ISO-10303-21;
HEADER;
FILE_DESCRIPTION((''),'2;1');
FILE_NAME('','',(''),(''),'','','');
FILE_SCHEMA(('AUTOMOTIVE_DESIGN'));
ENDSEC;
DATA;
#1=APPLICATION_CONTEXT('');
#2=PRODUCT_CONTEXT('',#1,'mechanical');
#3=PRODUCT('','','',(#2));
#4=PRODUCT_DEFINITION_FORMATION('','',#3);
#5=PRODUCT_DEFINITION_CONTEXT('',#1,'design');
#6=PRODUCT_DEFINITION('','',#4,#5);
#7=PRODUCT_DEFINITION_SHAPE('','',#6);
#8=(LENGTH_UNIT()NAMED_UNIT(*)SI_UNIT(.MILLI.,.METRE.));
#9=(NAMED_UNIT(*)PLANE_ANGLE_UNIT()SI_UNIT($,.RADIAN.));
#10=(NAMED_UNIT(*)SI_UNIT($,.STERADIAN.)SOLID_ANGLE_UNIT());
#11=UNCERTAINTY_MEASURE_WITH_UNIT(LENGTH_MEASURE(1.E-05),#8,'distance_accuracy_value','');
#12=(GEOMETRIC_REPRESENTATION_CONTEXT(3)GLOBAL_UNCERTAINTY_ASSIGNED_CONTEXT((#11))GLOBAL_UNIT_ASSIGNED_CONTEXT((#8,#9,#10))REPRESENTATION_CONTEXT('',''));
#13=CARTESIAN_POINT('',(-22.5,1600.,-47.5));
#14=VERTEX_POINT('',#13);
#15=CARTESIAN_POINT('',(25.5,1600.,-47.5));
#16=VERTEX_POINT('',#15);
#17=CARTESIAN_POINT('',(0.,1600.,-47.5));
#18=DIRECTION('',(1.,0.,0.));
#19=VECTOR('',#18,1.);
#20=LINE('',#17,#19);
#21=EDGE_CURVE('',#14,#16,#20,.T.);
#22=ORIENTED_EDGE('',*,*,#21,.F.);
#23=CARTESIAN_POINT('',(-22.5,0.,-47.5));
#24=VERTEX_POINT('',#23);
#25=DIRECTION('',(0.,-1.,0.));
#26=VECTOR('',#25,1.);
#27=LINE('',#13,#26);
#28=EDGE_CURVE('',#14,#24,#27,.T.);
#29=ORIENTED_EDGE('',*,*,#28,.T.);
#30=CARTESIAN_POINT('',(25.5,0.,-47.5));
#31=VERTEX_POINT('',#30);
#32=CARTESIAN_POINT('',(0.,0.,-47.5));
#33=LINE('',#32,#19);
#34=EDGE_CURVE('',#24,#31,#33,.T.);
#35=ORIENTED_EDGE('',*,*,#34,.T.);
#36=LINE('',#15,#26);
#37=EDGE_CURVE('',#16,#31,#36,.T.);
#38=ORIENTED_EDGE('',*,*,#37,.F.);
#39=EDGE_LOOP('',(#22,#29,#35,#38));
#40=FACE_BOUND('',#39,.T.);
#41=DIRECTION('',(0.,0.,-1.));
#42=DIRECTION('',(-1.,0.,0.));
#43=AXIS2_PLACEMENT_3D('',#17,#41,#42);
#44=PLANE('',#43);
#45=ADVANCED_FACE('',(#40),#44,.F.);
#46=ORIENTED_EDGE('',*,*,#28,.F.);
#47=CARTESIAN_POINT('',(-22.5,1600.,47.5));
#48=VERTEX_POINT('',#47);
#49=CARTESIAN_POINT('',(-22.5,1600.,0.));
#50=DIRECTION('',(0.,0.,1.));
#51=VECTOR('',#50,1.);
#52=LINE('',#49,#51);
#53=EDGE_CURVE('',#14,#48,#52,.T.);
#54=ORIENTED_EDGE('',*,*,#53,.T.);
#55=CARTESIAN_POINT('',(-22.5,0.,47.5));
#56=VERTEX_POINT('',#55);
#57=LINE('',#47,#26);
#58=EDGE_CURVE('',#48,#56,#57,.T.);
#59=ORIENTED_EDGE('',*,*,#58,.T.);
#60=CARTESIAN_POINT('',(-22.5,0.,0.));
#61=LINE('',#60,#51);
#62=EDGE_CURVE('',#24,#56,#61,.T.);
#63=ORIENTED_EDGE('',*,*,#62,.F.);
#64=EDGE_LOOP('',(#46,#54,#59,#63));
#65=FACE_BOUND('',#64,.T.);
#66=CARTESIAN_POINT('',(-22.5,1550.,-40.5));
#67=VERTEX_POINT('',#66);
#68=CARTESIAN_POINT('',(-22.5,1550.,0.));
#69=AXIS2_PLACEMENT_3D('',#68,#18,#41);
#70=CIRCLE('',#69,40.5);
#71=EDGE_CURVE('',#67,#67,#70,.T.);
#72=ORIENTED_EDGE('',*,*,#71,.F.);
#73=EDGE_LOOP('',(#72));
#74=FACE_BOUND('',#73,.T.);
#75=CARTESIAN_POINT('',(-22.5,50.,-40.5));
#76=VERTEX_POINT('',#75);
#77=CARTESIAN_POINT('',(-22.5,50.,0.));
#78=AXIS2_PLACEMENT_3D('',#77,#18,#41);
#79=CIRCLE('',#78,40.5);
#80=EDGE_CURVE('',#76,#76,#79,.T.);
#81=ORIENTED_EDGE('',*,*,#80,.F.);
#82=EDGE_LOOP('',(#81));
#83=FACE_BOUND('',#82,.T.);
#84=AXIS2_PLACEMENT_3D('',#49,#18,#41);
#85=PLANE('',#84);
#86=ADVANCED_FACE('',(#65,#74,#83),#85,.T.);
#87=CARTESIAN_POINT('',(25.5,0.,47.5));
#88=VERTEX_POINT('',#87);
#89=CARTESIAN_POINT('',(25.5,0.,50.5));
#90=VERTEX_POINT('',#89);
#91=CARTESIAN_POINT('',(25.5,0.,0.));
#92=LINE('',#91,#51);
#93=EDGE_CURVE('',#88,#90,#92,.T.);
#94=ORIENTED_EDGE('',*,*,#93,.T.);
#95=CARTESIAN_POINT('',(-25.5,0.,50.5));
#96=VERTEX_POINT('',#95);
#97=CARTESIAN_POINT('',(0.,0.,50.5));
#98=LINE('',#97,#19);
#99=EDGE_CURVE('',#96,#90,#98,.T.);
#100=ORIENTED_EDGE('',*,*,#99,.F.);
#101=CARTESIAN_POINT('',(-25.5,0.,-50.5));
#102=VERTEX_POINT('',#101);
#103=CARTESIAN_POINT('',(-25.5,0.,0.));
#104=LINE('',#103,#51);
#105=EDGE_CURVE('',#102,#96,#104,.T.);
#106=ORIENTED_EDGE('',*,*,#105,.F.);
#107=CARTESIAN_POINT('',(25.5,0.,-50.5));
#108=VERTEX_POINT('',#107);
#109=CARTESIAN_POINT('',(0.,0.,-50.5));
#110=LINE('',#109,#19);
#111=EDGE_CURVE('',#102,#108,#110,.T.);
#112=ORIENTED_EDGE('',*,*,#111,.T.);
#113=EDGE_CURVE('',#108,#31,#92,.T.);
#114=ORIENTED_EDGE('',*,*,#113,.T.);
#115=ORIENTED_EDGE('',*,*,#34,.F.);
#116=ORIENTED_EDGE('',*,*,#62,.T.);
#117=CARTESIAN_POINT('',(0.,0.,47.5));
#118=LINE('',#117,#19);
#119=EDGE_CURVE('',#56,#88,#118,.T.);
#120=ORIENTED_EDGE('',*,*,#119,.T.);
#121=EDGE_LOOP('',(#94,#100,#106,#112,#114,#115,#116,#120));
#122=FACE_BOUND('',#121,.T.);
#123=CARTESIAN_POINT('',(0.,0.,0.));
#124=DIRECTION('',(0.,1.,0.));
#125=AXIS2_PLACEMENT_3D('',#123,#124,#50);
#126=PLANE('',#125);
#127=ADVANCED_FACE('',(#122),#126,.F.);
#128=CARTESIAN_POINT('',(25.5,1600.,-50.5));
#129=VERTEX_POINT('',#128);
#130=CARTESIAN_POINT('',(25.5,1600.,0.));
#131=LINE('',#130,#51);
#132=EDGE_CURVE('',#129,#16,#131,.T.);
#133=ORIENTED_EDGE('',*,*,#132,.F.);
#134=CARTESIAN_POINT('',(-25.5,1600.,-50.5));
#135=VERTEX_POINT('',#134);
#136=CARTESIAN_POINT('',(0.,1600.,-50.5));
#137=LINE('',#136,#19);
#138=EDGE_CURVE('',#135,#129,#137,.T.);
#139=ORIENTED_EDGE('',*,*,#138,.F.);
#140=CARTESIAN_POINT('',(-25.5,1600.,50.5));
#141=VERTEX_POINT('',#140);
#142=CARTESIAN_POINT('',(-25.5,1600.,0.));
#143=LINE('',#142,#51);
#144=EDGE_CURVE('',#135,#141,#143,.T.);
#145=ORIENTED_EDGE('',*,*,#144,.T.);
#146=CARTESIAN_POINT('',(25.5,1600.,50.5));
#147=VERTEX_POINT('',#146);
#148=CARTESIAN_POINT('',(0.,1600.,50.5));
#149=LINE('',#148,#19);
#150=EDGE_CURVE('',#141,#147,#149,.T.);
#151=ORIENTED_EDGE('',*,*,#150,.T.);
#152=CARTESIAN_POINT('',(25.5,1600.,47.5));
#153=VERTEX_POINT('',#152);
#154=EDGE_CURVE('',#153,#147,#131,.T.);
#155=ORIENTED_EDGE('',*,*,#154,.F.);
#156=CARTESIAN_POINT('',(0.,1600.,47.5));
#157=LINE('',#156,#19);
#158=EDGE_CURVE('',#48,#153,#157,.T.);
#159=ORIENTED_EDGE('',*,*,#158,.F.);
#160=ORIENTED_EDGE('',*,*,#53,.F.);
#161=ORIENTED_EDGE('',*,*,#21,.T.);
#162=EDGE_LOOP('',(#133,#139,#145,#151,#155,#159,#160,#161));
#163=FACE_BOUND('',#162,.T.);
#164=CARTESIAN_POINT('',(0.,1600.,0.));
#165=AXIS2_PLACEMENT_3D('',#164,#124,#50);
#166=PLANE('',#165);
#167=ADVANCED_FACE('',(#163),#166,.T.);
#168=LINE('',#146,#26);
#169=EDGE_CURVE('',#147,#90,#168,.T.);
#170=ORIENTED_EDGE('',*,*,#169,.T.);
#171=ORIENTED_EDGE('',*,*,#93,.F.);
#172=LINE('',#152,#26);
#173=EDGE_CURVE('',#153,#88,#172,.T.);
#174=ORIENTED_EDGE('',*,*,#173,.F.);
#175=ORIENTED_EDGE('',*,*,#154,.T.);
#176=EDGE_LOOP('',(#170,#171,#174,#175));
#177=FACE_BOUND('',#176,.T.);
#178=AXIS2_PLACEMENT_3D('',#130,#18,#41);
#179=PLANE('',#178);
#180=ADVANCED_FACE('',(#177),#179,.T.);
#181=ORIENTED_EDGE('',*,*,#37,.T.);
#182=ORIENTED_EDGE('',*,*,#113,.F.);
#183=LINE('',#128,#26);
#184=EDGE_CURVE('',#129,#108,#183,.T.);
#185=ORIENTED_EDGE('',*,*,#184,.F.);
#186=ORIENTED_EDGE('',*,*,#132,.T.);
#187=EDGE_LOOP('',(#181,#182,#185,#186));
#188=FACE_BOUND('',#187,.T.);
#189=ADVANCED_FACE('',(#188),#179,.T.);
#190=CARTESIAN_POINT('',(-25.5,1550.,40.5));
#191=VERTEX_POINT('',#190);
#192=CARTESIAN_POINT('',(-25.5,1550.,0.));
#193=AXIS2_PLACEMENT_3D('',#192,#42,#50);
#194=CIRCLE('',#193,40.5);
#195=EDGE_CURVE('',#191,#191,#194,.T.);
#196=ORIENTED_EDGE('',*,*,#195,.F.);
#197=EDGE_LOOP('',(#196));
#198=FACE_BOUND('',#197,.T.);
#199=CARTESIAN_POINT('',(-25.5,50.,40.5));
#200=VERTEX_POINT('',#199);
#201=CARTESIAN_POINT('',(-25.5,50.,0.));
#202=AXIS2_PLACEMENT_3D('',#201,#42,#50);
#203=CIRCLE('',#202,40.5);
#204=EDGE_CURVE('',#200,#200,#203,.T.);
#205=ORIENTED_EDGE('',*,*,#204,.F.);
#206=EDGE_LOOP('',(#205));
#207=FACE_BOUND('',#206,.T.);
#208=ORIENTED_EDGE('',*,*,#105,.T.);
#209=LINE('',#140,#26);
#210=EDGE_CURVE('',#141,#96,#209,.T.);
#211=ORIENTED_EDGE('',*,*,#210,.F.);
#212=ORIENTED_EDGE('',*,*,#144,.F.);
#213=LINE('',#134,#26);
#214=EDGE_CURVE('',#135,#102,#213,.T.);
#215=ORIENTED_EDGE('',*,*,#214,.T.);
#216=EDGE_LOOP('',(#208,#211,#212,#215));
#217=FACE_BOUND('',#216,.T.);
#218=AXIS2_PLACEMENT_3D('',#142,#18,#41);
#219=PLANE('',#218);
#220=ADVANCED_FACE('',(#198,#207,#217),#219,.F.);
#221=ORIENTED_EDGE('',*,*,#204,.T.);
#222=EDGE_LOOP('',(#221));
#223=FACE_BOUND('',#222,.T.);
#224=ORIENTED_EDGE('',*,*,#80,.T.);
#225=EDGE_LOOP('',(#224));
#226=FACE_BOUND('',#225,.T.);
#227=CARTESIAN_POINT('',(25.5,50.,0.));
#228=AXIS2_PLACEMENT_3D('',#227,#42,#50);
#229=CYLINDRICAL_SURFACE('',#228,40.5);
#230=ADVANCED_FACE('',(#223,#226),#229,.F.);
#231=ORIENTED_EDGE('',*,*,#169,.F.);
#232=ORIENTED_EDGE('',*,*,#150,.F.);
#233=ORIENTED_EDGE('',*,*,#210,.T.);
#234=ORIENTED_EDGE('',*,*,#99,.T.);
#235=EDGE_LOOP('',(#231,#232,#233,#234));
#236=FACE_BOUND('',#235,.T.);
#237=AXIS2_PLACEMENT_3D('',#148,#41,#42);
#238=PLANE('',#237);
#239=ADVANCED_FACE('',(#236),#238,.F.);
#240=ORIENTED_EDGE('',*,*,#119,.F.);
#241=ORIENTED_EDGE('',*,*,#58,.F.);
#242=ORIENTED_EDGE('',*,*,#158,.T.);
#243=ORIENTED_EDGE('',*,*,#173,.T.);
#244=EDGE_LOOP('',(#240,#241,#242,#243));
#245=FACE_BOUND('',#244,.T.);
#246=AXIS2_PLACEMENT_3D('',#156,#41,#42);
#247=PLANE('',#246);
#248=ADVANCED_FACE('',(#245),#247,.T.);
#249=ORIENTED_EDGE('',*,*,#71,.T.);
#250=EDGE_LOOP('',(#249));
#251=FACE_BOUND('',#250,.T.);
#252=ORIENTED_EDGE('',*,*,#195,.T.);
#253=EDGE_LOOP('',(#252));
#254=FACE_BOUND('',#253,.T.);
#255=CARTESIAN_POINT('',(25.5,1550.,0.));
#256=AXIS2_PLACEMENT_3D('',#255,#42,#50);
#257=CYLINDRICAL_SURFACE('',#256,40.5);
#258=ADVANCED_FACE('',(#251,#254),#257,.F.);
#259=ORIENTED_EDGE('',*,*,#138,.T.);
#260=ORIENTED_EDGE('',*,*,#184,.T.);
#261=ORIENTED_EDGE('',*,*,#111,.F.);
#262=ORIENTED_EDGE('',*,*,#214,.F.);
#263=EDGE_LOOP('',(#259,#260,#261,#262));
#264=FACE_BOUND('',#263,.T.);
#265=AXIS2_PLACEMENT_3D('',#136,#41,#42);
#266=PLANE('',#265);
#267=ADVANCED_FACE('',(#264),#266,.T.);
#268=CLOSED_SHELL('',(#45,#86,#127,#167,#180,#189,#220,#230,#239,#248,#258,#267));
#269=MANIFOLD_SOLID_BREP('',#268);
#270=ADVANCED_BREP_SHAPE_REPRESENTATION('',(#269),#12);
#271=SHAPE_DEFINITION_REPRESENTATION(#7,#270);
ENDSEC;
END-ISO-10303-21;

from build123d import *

# Parameters (mm, degrees)
BOSS_EXTRUDE2_DEPTH = 1600
SKETCH3_R           = 40.5
CUT_EXTRUDE2_DEPTH  = 52


with BuildPart() as part:
    # Sketch2 → Boss-Extrude2 (new body)
    with BuildSketch(Plane(origin=(0, 0, 0), x_dir=(1, 0, 0), z_dir=(0, 1, 0))):
        Polygon((-22.5, 47.5), (25.5, 47.5), (25.5, 50.5), (-25.5, 50.5), (-25.5, -50.5), (25.5, -50.5), (25.5, -47.5), (-22.5, -47.5), align=None)
    extrude(amount=BOSS_EXTRUDE2_DEPTH)

    # Sketch3 → Cut-Extrude2 (cut, through all)
    with BuildSketch(Plane.ZY.offset(25.5)):
        with Locations((0, 50)):
            Circle(SKETCH3_R)
        with Locations((0, 1550)):
            Circle(SKETCH3_R)
    extrude(amount=-CUT_EXTRUDE2_DEPTH, mode=Mode.SUBTRACT)


solid = part.part
